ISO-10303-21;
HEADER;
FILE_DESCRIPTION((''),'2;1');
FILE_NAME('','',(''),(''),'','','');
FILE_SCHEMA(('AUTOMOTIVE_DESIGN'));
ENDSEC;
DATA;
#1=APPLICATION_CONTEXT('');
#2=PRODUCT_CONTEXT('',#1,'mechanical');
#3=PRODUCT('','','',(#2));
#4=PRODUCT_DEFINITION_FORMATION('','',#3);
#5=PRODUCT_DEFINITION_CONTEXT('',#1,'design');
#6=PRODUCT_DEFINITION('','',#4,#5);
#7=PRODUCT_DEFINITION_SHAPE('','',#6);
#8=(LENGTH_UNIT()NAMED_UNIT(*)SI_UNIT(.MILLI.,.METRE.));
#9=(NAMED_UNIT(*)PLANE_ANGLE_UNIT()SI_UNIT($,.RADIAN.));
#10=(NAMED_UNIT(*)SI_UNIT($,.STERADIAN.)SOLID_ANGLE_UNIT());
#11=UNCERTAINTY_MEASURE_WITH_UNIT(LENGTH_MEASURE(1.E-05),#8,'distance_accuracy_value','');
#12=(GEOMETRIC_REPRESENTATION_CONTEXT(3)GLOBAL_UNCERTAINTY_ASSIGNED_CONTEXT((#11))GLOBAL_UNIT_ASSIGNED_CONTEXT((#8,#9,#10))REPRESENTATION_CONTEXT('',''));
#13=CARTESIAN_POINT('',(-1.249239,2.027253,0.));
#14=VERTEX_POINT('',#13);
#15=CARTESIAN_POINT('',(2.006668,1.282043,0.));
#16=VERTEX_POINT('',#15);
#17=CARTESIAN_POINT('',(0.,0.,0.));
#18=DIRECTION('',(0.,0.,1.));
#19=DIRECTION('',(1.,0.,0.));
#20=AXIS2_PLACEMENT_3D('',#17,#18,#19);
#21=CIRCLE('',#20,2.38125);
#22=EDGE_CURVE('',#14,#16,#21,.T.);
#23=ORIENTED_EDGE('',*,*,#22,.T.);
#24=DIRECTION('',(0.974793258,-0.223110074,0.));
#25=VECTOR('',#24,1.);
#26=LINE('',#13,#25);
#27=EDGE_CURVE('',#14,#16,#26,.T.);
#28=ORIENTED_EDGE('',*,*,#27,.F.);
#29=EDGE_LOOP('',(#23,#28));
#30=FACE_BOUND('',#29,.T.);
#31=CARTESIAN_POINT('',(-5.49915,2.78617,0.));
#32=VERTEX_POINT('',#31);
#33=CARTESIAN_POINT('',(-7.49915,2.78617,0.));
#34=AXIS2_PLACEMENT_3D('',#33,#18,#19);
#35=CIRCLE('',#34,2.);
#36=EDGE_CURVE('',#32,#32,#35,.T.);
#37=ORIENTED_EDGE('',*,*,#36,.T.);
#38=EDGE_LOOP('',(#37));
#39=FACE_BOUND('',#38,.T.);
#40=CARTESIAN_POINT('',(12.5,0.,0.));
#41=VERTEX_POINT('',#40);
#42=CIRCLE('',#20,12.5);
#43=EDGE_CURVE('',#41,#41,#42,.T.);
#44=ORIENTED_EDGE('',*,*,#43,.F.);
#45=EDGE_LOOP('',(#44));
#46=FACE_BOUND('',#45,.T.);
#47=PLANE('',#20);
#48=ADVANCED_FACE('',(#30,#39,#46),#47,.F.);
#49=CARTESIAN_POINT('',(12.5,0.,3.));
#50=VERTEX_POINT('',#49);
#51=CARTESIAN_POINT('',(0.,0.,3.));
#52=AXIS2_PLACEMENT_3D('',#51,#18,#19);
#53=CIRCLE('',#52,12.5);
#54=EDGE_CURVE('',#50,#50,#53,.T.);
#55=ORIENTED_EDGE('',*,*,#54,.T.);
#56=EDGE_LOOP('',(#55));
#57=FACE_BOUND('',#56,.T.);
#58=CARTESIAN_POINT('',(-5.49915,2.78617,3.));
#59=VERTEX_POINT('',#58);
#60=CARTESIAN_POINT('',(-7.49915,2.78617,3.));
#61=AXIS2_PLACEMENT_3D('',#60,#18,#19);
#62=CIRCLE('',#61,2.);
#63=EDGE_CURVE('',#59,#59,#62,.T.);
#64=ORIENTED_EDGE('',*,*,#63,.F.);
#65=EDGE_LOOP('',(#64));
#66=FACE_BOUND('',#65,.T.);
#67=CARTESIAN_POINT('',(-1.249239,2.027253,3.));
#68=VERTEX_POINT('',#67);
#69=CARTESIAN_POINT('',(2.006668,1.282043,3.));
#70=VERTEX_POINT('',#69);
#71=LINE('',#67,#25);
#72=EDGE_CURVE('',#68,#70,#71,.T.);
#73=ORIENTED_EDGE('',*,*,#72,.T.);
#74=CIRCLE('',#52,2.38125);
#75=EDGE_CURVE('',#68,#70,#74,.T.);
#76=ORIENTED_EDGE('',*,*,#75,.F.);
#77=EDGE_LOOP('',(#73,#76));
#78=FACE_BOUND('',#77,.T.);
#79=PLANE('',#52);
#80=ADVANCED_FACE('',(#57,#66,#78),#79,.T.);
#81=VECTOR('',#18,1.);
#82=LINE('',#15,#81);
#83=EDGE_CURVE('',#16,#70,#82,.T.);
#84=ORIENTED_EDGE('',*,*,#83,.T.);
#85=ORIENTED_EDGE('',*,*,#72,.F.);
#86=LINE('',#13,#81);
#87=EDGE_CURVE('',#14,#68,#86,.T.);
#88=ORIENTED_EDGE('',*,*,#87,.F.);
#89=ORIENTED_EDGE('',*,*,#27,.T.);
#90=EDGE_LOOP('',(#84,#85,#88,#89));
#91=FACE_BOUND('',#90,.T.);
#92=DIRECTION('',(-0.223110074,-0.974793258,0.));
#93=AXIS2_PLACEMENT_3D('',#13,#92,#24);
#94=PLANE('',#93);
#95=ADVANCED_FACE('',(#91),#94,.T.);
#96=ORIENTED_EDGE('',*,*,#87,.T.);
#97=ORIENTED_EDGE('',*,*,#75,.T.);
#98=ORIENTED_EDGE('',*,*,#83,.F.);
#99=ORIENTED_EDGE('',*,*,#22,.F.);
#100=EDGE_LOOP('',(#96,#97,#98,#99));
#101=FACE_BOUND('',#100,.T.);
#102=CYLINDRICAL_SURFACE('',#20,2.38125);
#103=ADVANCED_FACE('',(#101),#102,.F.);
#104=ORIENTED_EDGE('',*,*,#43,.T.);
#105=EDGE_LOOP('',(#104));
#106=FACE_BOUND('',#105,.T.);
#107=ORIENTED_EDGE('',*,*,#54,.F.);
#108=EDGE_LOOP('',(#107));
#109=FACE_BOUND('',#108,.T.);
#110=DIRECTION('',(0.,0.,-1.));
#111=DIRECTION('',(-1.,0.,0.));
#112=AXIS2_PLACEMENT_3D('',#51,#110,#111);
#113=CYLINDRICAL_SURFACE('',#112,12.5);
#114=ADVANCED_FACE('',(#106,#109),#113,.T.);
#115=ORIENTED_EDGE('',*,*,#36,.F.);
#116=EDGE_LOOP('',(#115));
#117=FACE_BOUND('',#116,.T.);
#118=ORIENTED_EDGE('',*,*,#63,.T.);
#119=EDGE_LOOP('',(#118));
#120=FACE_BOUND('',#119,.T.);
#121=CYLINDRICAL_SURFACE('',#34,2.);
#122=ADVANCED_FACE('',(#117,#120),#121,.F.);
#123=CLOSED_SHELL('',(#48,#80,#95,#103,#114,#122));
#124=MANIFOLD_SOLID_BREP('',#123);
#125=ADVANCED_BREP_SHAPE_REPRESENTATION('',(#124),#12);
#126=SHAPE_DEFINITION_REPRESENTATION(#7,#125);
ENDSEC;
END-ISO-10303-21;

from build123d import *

# Parameters (mm, degrees)
SKETCH1_R           = 12.5
BOSS_EXTRUDE1_DEPTH = 3
CUT_EXTRUDE1_DEPTH  = 3
SKETCH3_R           = 2
CUT_EXTRUDE2_DEPTH  = 3


with BuildPart() as part:
    # Sketch1 → Boss-Extrude1 (new body)
    with BuildSketch(Plane.XY):
        Circle(SKETCH1_R)
    extrude(amount=BOSS_EXTRUDE1_DEPTH)

    # Sketch2 → Cut-Extrude1 (cut)
    with BuildSketch(Plane.XY.offset(3)):
        with BuildLine():
            Line((-1.249238699, 2.027252879), (2.006668261, 1.282042922))
            ThreePointArc((2.006668261, 1.282042922), (-0.531280863, -2.321226445), (-1.249238699, 2.027252879))
        make_face()
    extrude(amount=-CUT_EXTRUDE1_DEPTH, mode=Mode.SUBTRACT)

    # Sketch3 → Cut-Extrude2 (cut)
    with BuildSketch(Plane.XY.offset(3)):
        with Locations((-7.499150429, 2.786169925)):
            Circle(SKETCH3_R)
    extrude(amount=-CUT_EXTRUDE2_DEPTH, mode=Mode.SUBTRACT)


solid = part.part
